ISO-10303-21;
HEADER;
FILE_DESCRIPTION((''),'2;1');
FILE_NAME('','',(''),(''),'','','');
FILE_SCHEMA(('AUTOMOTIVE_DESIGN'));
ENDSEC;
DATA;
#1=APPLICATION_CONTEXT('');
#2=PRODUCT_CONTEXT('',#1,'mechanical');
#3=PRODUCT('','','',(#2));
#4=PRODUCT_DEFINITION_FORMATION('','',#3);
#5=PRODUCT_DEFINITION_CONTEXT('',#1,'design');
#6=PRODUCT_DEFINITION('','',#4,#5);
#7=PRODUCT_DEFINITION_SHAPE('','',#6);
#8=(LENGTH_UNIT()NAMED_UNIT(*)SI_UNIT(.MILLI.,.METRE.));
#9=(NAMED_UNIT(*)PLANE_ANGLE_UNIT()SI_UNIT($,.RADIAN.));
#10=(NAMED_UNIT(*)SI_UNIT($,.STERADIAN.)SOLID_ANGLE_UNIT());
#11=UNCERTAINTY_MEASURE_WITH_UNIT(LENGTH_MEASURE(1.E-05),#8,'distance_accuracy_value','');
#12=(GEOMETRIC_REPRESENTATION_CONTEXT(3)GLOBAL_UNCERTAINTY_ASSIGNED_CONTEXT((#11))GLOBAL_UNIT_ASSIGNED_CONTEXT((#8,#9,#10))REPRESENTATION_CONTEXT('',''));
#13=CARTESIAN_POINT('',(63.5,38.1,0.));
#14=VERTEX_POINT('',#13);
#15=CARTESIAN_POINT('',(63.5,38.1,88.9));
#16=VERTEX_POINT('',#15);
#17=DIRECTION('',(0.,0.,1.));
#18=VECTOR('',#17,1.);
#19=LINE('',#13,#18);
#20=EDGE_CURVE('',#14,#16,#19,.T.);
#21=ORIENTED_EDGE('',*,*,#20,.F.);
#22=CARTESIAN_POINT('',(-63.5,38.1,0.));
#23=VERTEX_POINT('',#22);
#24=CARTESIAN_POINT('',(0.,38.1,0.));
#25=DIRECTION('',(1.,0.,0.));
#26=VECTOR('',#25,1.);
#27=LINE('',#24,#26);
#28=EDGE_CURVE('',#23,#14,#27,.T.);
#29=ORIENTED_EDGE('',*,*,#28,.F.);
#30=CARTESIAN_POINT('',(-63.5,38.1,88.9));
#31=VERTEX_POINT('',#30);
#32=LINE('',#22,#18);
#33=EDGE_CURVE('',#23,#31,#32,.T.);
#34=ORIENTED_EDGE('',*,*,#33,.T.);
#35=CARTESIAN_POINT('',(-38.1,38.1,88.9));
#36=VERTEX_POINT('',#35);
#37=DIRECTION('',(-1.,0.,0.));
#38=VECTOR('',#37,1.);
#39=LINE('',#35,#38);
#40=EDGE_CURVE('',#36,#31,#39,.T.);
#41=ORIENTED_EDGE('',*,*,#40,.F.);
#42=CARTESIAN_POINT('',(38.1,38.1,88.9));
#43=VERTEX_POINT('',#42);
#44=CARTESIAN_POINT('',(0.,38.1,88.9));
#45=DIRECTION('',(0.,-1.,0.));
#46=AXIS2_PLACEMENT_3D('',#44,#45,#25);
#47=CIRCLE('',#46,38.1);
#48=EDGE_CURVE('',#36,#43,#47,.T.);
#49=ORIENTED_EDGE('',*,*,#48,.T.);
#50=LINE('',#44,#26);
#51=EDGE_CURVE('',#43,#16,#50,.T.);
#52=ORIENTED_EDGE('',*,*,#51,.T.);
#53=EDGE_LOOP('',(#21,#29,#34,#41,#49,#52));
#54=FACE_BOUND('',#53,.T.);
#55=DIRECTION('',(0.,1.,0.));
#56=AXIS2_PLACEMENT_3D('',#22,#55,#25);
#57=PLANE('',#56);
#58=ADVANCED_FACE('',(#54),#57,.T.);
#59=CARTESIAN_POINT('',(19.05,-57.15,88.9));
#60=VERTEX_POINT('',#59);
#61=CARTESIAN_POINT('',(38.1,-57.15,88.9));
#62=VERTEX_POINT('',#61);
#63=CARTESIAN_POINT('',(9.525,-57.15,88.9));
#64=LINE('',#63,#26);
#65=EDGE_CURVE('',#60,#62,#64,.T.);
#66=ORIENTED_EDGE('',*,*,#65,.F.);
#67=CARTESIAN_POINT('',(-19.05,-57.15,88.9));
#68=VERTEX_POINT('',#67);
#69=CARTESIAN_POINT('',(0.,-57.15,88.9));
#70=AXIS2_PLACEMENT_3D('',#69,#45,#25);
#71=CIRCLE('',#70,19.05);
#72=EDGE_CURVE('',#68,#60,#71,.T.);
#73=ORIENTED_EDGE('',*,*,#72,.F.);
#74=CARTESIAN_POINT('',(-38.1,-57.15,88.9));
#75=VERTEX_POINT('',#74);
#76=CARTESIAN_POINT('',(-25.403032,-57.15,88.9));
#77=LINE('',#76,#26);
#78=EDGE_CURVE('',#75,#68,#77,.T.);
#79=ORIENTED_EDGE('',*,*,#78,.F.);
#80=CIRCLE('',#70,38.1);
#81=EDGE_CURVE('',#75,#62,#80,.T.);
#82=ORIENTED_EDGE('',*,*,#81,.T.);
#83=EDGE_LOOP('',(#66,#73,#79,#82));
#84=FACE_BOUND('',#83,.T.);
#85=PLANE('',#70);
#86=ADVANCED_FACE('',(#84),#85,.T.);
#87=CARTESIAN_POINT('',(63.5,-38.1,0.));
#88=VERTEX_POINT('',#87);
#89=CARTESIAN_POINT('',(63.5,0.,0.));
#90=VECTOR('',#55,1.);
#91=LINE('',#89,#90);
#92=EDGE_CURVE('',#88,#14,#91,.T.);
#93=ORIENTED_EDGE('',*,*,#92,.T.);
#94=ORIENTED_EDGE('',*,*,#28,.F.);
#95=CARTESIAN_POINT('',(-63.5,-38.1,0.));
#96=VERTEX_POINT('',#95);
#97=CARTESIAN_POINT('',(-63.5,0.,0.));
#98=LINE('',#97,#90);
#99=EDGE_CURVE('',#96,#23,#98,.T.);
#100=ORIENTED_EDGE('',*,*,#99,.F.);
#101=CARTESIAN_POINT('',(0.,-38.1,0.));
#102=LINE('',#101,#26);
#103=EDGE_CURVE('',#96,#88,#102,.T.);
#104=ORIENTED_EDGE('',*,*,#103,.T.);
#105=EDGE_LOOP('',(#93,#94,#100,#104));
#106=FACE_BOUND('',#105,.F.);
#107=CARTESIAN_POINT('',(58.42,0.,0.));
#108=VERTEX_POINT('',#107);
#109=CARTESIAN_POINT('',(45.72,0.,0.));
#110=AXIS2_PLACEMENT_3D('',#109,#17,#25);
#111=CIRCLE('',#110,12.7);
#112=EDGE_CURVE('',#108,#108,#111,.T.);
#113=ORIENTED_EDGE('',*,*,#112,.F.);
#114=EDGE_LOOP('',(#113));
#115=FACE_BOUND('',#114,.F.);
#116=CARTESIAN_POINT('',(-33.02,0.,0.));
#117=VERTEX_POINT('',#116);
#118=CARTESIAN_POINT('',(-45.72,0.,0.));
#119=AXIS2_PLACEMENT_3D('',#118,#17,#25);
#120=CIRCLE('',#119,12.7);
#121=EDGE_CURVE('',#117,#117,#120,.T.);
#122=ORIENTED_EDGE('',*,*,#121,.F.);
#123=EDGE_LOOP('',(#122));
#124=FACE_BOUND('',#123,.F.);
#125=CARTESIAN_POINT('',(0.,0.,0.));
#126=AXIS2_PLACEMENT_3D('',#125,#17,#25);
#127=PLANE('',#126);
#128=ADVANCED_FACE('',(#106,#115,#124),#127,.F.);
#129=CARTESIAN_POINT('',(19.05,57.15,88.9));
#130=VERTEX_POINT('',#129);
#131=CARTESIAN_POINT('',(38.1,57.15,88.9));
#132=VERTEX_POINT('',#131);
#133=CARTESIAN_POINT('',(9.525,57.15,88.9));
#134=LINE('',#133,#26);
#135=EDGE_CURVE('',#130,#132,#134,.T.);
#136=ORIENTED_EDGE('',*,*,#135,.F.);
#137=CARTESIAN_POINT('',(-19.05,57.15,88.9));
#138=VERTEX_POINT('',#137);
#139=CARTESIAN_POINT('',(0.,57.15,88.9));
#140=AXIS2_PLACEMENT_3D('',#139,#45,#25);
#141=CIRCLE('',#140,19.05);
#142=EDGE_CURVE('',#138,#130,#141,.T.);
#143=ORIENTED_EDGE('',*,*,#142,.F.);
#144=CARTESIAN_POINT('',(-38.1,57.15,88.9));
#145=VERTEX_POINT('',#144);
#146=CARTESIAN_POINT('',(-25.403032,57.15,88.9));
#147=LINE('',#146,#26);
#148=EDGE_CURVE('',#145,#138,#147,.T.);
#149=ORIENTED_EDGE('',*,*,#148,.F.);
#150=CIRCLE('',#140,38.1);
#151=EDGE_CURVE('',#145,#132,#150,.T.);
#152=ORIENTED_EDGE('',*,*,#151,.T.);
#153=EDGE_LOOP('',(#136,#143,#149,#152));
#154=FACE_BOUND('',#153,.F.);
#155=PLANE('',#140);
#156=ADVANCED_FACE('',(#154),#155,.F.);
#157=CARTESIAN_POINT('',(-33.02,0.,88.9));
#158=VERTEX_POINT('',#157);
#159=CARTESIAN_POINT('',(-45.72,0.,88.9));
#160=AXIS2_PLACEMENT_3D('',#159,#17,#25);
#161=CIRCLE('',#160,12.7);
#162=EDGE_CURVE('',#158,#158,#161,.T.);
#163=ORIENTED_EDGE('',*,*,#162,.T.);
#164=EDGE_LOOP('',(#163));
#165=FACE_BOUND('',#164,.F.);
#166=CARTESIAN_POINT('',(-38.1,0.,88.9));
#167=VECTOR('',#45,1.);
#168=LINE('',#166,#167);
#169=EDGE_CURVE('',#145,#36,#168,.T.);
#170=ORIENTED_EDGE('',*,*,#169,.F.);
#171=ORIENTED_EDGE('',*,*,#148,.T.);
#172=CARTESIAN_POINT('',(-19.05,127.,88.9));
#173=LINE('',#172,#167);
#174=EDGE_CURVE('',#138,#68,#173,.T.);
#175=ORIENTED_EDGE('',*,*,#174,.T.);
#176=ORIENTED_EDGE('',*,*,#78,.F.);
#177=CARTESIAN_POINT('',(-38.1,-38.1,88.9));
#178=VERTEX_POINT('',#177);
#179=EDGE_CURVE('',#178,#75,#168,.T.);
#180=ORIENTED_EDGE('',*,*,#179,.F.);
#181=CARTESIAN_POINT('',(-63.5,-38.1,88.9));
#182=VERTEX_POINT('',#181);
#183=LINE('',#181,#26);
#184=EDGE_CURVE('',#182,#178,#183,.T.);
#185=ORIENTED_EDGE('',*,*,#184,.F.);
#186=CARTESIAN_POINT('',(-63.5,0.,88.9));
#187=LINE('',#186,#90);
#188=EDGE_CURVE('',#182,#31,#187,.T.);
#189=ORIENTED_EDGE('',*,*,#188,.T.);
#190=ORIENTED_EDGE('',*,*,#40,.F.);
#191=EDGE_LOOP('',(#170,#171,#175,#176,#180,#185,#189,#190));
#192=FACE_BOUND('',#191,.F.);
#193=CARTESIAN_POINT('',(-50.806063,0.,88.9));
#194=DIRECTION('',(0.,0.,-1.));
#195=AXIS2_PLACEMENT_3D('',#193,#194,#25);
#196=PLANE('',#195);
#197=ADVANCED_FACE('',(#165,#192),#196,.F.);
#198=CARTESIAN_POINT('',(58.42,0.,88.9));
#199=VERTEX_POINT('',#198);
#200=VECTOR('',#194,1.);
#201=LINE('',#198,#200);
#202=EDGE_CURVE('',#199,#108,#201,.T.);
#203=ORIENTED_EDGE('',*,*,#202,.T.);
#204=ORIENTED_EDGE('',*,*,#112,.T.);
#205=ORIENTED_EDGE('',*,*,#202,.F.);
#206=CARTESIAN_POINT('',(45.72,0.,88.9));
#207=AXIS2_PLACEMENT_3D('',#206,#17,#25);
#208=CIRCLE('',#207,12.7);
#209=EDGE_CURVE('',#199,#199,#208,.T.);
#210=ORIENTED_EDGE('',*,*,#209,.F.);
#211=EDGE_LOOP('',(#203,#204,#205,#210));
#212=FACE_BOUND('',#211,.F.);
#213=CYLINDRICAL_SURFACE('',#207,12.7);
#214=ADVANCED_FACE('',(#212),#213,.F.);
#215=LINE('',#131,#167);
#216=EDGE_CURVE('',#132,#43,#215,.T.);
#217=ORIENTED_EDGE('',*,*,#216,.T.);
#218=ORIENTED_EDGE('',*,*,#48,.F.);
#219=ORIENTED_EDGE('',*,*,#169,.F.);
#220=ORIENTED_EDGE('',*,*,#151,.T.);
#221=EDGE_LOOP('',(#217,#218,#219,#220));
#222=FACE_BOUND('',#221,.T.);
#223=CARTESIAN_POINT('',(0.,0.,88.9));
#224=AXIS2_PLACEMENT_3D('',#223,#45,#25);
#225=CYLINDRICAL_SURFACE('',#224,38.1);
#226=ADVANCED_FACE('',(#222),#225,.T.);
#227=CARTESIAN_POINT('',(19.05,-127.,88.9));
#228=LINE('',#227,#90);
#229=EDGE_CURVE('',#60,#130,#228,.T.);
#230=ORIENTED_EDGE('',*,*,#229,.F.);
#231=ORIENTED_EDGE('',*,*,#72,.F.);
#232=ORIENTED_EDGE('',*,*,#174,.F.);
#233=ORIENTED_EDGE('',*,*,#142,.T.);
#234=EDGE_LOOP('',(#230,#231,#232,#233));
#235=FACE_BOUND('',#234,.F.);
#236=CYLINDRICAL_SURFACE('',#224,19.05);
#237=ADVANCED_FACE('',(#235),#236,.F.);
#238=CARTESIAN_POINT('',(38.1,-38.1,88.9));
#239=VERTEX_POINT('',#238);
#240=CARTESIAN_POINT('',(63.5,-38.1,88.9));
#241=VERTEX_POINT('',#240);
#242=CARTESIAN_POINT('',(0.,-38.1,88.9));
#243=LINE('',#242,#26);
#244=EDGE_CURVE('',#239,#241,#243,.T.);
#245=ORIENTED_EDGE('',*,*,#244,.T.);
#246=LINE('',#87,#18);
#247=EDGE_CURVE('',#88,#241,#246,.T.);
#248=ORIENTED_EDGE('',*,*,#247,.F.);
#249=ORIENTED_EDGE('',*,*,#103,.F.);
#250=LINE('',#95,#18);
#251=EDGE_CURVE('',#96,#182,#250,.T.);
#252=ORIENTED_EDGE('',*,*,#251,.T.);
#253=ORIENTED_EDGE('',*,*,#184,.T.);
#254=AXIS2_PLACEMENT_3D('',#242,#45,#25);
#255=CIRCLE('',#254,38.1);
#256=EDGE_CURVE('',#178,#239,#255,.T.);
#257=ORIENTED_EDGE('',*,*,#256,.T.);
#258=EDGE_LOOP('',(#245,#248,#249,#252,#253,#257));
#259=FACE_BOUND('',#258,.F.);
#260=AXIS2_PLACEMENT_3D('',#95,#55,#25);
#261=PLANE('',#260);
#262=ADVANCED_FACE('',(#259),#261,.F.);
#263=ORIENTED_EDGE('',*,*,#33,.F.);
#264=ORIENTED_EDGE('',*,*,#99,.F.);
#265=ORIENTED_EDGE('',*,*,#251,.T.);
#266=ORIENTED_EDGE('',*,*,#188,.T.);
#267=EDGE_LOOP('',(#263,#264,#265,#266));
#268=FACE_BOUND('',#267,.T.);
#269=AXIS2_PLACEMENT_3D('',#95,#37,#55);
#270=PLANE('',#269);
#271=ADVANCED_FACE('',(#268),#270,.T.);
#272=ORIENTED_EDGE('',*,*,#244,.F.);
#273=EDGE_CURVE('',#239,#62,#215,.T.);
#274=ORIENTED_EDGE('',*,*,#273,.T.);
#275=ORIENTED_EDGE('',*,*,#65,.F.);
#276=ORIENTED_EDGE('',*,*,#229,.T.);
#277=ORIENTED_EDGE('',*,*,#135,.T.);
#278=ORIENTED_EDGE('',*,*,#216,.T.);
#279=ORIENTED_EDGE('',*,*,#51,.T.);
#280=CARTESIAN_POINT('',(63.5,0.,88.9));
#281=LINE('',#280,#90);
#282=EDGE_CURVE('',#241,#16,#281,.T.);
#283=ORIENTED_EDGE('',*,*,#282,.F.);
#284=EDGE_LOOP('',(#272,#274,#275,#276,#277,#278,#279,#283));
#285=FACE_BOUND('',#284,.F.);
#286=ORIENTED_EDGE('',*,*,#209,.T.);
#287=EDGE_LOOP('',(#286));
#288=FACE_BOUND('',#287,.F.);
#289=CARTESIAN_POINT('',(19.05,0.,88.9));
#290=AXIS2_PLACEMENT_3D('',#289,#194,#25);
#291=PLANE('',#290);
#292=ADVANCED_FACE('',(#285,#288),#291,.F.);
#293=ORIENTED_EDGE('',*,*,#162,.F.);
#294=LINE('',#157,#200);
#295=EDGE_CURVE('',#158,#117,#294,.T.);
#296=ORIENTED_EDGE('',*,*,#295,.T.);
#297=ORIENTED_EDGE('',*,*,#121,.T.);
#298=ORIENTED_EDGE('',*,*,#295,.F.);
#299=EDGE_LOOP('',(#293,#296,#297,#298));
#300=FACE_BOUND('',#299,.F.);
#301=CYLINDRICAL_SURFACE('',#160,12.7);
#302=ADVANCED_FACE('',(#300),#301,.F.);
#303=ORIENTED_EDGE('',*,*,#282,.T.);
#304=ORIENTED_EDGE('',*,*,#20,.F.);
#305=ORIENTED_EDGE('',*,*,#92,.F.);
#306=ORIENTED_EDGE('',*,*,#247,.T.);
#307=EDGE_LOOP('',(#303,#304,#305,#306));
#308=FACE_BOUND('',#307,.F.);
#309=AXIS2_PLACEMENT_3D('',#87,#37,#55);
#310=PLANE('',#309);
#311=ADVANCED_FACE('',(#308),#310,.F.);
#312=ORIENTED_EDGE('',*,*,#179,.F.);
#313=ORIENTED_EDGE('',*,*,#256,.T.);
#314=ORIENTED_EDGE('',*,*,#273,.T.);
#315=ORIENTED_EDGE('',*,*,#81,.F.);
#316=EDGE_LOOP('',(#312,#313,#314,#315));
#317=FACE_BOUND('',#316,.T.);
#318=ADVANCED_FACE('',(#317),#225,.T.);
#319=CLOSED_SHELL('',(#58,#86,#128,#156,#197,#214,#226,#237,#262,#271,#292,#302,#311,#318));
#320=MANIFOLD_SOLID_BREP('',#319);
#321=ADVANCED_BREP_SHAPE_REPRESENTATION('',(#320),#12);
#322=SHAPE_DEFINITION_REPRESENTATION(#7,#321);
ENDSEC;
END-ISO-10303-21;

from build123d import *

# Parameters (mm, degrees)
F0_W     = 127
F0_H     = 76.2
F1_DEPTH = 88.9
F2_R     = 38.1
F3_DEPTH = 57.15
F5_DEPTH = 127
F6_R     = 19.05
F7_DEPTH = 127
F8_R     = 12.7
F9_DEPTH = 88.901


with BuildPart() as f1:
    # F0 (on Top) → F1 (new body)
    with BuildSketch(Plane.XY):
        Rectangle(F0_W, F0_H)
    extrude(amount=F1_DEPTH)

    # F2 (on Front) → F3 (join, symmetric)
    with BuildSketch(Plane.XZ):
        with Locations((0, 88.9)):
            Circle(F2_R)
    extrude(amount=F3_DEPTH, both=True)

    # F4 (on Front) → F5 (cut, symmetric)
    with BuildSketch(Plane.XZ):
        with BuildLine():
            Line((76.654768, 131.578267), (-50.806063, 131.578267))
            Line((-50.806063, 131.578267), (-50.806063, 88.9))
            Line((-50.806063, 88.9), (-19.05, 88.9))
            ThreePointArc((-19.05, 88.9), (0, 107.95), (19.05, 88.9))
            Line((19.05, 88.9), (76.654768, 88.9))
            Line((76.654768, 88.9), (76.654768, 131.578267))
        make_face()
    extrude(amount=F5_DEPTH, both=True, mode=Mode.SUBTRACT)

    # F6 (on Front) → F7 (cut, symmetric)
    with BuildSketch(Plane.XZ):
        with Locations((0, 88.9)):
            Circle(F6_R)
    extrude(amount=F7_DEPTH, both=True, mode=Mode.SUBTRACT)

    # F8 (on face) → F9 (cut, through all)
    with BuildSketch(Plane.XY.offset(88.9)):
        with Locations((-45.72, 0)):
            Circle(F8_R)
        with Locations((45.72, 0)):
            Circle(F8_R)
    extrude(amount=-F9_DEPTH, mode=Mode.SUBTRACT)


solid = f1.part
